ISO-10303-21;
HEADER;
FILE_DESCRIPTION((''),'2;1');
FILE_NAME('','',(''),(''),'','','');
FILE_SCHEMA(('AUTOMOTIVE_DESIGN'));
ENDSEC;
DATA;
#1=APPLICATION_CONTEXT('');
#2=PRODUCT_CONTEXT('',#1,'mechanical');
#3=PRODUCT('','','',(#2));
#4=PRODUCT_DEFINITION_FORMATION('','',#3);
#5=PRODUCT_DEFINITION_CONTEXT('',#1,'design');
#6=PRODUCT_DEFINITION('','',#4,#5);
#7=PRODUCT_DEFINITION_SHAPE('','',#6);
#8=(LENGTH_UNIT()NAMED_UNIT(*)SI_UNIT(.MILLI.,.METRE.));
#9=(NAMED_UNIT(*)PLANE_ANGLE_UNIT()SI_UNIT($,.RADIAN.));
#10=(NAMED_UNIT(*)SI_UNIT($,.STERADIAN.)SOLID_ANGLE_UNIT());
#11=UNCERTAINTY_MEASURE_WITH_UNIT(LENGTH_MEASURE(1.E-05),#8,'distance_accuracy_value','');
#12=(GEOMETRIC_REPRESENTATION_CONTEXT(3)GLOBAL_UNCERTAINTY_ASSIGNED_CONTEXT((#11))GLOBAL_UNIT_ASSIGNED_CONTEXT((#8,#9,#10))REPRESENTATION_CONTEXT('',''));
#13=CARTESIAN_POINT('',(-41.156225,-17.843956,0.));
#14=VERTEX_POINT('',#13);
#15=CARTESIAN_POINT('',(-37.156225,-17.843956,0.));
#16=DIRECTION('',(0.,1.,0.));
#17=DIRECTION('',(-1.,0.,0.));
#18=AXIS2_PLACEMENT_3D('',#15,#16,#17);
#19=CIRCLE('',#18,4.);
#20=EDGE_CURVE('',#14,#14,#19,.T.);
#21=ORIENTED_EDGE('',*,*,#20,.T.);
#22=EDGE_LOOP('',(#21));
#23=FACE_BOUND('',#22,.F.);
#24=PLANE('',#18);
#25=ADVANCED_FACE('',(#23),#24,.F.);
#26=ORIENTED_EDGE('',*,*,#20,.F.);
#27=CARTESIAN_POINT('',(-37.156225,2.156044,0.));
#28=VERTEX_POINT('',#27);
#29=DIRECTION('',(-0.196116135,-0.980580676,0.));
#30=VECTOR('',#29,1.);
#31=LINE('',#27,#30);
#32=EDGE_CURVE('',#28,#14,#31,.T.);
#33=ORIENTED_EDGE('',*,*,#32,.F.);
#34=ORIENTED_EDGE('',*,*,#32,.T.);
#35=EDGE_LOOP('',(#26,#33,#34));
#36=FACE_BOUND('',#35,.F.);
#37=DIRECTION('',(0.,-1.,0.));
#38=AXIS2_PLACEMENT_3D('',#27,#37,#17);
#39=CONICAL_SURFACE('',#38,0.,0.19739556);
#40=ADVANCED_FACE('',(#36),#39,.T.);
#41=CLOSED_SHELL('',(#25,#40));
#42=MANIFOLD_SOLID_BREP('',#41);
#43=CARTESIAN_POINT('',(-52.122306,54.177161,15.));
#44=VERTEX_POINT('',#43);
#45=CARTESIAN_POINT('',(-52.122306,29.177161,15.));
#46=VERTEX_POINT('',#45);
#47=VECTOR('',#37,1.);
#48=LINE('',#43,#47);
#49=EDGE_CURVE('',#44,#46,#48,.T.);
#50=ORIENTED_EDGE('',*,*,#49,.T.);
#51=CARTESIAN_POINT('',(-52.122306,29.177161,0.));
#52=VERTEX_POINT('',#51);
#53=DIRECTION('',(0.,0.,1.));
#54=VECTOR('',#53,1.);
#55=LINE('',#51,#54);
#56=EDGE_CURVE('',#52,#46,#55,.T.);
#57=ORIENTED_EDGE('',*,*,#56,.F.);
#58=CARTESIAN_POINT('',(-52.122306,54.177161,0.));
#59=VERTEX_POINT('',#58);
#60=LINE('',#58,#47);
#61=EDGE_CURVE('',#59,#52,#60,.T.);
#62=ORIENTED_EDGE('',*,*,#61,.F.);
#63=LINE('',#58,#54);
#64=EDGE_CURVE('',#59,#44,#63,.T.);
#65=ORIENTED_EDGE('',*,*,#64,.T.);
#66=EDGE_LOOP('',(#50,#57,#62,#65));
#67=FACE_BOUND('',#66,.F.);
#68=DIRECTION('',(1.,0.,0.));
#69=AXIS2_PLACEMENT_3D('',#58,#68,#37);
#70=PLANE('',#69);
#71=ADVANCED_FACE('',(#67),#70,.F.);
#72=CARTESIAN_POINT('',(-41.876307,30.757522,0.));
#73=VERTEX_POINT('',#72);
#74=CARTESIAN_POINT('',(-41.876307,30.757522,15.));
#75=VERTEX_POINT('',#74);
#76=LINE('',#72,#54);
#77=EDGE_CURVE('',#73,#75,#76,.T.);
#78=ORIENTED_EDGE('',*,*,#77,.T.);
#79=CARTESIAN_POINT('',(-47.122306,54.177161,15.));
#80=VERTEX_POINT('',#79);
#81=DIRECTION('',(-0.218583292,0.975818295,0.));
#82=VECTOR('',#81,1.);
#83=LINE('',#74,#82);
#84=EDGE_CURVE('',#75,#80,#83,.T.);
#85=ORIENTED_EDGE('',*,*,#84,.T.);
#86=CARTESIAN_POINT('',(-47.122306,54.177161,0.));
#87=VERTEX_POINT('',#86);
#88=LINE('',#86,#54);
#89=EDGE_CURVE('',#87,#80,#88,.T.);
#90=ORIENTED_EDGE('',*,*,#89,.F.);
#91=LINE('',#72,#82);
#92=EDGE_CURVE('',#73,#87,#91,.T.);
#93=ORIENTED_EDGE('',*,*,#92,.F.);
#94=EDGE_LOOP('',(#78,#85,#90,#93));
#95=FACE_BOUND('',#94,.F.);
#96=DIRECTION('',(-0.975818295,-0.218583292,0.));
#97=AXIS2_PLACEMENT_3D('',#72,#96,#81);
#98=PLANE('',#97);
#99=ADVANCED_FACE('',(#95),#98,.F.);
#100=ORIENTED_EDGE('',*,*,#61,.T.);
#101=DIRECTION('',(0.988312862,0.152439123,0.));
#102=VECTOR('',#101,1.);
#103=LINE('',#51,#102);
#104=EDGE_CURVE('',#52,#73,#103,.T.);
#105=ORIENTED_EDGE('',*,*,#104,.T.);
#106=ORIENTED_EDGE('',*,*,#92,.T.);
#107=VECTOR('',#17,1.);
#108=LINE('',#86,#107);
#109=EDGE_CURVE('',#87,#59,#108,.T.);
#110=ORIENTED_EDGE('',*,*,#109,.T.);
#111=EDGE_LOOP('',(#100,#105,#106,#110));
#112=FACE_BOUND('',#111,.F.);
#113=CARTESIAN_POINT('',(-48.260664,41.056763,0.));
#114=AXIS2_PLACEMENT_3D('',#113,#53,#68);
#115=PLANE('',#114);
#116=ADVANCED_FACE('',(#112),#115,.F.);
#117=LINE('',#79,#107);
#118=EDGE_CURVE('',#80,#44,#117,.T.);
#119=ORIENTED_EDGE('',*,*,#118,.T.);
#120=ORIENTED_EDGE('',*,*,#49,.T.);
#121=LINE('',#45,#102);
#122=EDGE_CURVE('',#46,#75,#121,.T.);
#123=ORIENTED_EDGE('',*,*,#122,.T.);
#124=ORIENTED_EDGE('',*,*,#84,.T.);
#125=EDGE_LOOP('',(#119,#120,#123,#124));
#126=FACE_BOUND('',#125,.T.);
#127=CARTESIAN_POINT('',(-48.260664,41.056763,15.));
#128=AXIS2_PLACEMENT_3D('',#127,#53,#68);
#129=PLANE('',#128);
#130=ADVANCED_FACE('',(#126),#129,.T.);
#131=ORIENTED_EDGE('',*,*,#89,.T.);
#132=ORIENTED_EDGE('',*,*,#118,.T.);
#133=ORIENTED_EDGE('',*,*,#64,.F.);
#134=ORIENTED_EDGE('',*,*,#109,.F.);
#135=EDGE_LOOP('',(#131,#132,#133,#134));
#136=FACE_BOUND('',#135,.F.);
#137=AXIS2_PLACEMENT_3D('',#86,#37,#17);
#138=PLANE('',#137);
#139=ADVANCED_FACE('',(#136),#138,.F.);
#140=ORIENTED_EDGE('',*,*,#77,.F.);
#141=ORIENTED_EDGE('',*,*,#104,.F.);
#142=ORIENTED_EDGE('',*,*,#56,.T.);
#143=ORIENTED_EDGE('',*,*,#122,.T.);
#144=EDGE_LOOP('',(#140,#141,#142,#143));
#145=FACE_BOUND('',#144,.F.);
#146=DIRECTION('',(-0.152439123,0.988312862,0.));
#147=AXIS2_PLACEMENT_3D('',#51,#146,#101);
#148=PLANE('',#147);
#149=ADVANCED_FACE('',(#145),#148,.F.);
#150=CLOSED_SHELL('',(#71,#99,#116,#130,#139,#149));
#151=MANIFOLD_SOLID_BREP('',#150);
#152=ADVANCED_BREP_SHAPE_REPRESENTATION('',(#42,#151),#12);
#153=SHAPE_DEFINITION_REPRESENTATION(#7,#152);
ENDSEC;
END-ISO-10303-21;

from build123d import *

# Parameters (mm, degrees)
F3_DEPTH = 15


with BuildPart() as f1:
    # F0 (on Top) → F1 (revolve)
    with BuildSketch(Plane.XY):
        Polygon((-37.156225, 2.156044), (-41.156225, -17.843956), (-37.156225, -17.843956), align=None)
    revolve(axis=Axis((-37.156225, -7.843956, 0), (0, 1, 0)))


with BuildPart() as f3:
    # F2 (on Top) → F3 (new body)
    with BuildSketch(Plane.XY):
        Polygon((-47.122306, 54.177161), (-52.122306, 54.177161), (-52.122306, 29.177161), (-41.876307, 30.757522), align=None)
    extrude(amount=F3_DEPTH)


solid = Compound([f1.part, f3.part])
